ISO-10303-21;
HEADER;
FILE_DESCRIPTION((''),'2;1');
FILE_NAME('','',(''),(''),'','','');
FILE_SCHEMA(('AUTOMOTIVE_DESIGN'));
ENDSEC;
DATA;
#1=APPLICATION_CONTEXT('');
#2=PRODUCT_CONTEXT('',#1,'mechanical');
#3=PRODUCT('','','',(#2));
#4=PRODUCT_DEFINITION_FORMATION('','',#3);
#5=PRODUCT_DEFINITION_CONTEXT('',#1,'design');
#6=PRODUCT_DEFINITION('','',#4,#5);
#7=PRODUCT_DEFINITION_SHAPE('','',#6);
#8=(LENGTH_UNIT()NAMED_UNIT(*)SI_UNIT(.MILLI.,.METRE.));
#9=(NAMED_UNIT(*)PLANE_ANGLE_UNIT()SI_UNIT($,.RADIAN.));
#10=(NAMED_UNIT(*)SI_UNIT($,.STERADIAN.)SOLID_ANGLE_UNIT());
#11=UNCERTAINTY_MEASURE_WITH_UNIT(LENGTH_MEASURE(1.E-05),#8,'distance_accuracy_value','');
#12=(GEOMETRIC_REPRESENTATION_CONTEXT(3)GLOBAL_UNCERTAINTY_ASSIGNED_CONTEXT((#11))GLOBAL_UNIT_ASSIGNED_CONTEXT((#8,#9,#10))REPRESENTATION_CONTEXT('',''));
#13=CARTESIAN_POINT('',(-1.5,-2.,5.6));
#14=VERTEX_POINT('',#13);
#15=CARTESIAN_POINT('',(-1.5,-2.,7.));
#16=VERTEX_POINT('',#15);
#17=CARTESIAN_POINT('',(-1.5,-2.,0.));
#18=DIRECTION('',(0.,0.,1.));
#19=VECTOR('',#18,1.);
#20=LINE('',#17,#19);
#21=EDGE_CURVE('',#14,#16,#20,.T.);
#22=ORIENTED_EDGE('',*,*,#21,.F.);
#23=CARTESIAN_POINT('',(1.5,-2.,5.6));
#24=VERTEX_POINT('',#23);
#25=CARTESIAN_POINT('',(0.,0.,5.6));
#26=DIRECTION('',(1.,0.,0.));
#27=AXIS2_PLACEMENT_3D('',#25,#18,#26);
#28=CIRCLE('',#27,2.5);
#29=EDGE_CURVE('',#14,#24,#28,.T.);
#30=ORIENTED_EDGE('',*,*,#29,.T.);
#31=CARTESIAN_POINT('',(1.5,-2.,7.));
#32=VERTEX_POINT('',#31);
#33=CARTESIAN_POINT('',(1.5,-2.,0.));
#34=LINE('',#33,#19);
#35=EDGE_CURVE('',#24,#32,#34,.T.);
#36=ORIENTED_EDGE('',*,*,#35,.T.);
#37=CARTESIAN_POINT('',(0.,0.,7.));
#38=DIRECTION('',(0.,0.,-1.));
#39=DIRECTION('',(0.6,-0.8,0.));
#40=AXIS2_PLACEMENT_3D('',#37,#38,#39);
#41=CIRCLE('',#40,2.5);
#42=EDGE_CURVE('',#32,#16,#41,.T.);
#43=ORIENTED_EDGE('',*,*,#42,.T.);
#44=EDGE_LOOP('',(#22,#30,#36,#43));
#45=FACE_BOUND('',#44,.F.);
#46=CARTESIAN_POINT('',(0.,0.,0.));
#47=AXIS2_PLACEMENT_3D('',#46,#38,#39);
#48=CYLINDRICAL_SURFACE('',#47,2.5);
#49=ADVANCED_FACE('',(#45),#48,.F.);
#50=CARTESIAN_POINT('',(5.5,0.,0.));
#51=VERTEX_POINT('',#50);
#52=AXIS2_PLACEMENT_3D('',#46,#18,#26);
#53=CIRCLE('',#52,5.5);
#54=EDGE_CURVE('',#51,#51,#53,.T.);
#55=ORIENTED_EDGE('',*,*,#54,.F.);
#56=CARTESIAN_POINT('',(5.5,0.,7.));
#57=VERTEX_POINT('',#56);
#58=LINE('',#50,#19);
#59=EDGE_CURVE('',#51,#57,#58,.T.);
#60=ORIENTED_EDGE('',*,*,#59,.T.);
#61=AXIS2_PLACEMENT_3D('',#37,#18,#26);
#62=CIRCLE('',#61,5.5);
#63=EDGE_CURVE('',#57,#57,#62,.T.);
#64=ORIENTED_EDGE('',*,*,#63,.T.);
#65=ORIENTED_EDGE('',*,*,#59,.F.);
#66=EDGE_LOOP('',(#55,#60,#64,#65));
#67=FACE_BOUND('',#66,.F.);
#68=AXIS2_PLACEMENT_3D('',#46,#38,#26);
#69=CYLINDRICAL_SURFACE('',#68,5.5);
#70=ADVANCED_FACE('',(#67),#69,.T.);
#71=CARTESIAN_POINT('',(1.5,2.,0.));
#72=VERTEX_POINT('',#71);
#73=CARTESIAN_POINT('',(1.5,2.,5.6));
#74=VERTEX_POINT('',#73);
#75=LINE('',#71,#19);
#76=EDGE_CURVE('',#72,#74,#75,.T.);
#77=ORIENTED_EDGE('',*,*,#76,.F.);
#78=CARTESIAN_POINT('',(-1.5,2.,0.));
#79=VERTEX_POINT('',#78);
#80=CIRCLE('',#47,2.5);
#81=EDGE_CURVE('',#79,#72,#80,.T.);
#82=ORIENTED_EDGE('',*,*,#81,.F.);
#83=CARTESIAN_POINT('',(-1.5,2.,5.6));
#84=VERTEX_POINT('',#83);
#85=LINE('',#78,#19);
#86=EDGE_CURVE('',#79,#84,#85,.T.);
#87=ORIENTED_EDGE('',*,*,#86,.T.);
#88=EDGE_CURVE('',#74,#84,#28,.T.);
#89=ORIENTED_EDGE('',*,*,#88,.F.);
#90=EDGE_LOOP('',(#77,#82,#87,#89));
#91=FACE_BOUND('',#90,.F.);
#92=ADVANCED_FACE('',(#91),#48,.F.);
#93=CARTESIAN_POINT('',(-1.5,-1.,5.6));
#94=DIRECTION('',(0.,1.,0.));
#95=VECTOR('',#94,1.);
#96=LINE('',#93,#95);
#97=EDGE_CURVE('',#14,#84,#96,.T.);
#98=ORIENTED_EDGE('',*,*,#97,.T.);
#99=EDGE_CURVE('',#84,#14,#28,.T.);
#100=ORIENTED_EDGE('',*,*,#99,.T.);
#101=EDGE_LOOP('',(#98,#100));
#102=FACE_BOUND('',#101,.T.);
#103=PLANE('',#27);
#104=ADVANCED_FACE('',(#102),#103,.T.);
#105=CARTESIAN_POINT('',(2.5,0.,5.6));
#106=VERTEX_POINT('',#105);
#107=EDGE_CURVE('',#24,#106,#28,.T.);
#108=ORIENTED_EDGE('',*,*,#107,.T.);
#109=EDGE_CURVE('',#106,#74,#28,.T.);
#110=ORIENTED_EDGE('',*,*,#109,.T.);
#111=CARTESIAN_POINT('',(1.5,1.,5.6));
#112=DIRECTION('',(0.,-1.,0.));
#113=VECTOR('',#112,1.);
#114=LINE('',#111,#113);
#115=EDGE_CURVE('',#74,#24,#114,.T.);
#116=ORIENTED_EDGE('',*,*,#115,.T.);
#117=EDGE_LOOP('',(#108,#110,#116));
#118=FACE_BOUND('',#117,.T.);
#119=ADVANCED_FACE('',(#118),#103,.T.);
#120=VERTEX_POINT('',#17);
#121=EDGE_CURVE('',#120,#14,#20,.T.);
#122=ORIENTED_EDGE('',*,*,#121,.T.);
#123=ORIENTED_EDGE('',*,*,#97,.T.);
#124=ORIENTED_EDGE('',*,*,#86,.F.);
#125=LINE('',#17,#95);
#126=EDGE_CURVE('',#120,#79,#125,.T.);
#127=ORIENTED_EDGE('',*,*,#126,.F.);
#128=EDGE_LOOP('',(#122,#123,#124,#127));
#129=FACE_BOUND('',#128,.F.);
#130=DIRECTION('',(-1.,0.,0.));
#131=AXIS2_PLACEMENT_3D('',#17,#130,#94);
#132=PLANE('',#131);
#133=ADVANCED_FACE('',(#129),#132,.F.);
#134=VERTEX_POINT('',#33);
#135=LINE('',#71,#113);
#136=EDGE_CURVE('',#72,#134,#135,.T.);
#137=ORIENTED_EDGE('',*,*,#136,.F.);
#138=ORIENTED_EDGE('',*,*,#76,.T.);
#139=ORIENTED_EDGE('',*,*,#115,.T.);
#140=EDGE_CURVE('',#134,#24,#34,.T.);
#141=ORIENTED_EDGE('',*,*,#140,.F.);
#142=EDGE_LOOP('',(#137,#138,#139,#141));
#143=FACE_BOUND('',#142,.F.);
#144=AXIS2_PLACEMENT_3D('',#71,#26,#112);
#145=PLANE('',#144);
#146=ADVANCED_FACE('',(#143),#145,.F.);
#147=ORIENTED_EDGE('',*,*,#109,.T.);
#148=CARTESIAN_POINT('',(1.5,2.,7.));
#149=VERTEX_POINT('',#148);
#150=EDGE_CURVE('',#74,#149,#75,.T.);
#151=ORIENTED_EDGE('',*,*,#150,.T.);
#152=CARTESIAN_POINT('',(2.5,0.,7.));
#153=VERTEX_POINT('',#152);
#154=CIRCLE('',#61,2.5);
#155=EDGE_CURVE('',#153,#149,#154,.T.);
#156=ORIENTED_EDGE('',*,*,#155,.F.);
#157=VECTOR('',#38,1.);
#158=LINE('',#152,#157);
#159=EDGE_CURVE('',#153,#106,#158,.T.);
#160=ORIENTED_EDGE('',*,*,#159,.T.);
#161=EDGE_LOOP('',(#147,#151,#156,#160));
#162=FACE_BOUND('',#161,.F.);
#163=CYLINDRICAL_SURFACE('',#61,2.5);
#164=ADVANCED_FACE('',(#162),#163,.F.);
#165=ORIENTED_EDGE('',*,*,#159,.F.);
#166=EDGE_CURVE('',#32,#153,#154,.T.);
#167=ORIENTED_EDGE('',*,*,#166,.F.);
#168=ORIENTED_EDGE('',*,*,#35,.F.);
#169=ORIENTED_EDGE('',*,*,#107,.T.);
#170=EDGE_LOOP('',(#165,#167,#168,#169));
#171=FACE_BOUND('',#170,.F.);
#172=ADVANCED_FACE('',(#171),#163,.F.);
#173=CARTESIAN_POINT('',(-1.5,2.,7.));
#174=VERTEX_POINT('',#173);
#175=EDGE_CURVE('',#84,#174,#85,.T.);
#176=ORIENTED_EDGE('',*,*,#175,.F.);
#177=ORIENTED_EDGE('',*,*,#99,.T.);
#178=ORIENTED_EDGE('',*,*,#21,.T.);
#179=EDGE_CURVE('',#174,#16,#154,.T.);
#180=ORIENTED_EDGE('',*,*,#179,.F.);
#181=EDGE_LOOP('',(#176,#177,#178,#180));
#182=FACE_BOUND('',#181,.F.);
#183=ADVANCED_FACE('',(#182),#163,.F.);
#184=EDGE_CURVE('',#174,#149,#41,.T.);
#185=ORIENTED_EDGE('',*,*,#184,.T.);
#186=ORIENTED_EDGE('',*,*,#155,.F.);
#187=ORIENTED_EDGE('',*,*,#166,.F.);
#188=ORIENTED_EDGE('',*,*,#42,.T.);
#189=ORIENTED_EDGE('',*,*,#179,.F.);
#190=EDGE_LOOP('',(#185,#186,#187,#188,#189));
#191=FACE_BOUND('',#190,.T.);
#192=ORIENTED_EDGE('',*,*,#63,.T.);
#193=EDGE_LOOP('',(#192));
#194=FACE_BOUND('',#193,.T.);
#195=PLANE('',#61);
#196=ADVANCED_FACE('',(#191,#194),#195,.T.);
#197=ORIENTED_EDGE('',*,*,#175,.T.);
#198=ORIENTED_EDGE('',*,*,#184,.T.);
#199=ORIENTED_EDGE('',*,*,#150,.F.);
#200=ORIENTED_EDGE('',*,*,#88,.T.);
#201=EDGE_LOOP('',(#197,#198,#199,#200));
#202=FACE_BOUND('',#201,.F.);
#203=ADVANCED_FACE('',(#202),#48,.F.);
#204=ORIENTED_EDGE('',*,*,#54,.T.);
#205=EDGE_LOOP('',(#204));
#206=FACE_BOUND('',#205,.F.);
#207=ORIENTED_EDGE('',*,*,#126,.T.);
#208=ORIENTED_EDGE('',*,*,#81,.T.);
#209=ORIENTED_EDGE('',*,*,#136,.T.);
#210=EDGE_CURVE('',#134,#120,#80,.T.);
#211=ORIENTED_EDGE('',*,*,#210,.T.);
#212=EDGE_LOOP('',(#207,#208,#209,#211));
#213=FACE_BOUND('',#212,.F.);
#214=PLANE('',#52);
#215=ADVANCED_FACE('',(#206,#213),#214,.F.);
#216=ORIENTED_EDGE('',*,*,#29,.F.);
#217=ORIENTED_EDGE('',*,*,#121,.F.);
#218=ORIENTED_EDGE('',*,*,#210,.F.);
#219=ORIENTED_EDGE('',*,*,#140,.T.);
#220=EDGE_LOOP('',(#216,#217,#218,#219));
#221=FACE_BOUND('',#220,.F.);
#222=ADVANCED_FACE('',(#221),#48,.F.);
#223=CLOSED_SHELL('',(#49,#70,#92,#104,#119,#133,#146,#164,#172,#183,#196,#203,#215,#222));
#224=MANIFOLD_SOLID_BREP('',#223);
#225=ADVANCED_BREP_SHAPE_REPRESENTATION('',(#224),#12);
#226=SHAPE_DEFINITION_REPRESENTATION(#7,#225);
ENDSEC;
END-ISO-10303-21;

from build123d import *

# Parameters (mm, degrees)
F0_R     = 5.5
F1_DEPTH = 7
F2_R     = 2.5
F3_DEPTH = 1.4


with BuildPart() as f1:
    # F0 (on Top) → F1 (new body)
    with BuildSketch(Plane.XY):
        Circle(F0_R)
        with BuildLine():
            ThreePointArc((1.5, 2), (2.2360679775, 1.1180339887), (2.5, 0))
            ThreePointArc((2.5, 0), (2.2360679775, -1.1180339887), (1.5, -2))
            ThreePointArc((1.5, -2), (0, -2.5), (-1.5, -2))
            ThreePointArc((-1.5, -2), (-2.5, 0), (-1.5, 2))
            ThreePointArc((-1.5, 2), (0, 2.5), (1.5, 2))
        make_face(mode=Mode.SUBTRACT)
        with BuildLine():
            Line((-1.5, -2), (-1.5, 2))
            ThreePointArc((-1.5, 2), (-2.5, 0), (-1.5, -2))
        make_face()
        with BuildLine():
            ThreePointArc((1.5, -2), (2.2360679775, -1.1180339887), (2.5, 0))
            ThreePointArc((2.5, 0), (2.2360679775, 1.1180339887), (1.5, 2))
            Line((1.5, 2), (1.5, -2))
        make_face()
    extrude(amount=F1_DEPTH)

    # F2 (on face) → F3 (cut)
    with BuildSketch(Plane.XY.offset(7)):
        Circle(F2_R)
    extrude(amount=-F3_DEPTH, mode=Mode.SUBTRACT)


solid = f1.part
